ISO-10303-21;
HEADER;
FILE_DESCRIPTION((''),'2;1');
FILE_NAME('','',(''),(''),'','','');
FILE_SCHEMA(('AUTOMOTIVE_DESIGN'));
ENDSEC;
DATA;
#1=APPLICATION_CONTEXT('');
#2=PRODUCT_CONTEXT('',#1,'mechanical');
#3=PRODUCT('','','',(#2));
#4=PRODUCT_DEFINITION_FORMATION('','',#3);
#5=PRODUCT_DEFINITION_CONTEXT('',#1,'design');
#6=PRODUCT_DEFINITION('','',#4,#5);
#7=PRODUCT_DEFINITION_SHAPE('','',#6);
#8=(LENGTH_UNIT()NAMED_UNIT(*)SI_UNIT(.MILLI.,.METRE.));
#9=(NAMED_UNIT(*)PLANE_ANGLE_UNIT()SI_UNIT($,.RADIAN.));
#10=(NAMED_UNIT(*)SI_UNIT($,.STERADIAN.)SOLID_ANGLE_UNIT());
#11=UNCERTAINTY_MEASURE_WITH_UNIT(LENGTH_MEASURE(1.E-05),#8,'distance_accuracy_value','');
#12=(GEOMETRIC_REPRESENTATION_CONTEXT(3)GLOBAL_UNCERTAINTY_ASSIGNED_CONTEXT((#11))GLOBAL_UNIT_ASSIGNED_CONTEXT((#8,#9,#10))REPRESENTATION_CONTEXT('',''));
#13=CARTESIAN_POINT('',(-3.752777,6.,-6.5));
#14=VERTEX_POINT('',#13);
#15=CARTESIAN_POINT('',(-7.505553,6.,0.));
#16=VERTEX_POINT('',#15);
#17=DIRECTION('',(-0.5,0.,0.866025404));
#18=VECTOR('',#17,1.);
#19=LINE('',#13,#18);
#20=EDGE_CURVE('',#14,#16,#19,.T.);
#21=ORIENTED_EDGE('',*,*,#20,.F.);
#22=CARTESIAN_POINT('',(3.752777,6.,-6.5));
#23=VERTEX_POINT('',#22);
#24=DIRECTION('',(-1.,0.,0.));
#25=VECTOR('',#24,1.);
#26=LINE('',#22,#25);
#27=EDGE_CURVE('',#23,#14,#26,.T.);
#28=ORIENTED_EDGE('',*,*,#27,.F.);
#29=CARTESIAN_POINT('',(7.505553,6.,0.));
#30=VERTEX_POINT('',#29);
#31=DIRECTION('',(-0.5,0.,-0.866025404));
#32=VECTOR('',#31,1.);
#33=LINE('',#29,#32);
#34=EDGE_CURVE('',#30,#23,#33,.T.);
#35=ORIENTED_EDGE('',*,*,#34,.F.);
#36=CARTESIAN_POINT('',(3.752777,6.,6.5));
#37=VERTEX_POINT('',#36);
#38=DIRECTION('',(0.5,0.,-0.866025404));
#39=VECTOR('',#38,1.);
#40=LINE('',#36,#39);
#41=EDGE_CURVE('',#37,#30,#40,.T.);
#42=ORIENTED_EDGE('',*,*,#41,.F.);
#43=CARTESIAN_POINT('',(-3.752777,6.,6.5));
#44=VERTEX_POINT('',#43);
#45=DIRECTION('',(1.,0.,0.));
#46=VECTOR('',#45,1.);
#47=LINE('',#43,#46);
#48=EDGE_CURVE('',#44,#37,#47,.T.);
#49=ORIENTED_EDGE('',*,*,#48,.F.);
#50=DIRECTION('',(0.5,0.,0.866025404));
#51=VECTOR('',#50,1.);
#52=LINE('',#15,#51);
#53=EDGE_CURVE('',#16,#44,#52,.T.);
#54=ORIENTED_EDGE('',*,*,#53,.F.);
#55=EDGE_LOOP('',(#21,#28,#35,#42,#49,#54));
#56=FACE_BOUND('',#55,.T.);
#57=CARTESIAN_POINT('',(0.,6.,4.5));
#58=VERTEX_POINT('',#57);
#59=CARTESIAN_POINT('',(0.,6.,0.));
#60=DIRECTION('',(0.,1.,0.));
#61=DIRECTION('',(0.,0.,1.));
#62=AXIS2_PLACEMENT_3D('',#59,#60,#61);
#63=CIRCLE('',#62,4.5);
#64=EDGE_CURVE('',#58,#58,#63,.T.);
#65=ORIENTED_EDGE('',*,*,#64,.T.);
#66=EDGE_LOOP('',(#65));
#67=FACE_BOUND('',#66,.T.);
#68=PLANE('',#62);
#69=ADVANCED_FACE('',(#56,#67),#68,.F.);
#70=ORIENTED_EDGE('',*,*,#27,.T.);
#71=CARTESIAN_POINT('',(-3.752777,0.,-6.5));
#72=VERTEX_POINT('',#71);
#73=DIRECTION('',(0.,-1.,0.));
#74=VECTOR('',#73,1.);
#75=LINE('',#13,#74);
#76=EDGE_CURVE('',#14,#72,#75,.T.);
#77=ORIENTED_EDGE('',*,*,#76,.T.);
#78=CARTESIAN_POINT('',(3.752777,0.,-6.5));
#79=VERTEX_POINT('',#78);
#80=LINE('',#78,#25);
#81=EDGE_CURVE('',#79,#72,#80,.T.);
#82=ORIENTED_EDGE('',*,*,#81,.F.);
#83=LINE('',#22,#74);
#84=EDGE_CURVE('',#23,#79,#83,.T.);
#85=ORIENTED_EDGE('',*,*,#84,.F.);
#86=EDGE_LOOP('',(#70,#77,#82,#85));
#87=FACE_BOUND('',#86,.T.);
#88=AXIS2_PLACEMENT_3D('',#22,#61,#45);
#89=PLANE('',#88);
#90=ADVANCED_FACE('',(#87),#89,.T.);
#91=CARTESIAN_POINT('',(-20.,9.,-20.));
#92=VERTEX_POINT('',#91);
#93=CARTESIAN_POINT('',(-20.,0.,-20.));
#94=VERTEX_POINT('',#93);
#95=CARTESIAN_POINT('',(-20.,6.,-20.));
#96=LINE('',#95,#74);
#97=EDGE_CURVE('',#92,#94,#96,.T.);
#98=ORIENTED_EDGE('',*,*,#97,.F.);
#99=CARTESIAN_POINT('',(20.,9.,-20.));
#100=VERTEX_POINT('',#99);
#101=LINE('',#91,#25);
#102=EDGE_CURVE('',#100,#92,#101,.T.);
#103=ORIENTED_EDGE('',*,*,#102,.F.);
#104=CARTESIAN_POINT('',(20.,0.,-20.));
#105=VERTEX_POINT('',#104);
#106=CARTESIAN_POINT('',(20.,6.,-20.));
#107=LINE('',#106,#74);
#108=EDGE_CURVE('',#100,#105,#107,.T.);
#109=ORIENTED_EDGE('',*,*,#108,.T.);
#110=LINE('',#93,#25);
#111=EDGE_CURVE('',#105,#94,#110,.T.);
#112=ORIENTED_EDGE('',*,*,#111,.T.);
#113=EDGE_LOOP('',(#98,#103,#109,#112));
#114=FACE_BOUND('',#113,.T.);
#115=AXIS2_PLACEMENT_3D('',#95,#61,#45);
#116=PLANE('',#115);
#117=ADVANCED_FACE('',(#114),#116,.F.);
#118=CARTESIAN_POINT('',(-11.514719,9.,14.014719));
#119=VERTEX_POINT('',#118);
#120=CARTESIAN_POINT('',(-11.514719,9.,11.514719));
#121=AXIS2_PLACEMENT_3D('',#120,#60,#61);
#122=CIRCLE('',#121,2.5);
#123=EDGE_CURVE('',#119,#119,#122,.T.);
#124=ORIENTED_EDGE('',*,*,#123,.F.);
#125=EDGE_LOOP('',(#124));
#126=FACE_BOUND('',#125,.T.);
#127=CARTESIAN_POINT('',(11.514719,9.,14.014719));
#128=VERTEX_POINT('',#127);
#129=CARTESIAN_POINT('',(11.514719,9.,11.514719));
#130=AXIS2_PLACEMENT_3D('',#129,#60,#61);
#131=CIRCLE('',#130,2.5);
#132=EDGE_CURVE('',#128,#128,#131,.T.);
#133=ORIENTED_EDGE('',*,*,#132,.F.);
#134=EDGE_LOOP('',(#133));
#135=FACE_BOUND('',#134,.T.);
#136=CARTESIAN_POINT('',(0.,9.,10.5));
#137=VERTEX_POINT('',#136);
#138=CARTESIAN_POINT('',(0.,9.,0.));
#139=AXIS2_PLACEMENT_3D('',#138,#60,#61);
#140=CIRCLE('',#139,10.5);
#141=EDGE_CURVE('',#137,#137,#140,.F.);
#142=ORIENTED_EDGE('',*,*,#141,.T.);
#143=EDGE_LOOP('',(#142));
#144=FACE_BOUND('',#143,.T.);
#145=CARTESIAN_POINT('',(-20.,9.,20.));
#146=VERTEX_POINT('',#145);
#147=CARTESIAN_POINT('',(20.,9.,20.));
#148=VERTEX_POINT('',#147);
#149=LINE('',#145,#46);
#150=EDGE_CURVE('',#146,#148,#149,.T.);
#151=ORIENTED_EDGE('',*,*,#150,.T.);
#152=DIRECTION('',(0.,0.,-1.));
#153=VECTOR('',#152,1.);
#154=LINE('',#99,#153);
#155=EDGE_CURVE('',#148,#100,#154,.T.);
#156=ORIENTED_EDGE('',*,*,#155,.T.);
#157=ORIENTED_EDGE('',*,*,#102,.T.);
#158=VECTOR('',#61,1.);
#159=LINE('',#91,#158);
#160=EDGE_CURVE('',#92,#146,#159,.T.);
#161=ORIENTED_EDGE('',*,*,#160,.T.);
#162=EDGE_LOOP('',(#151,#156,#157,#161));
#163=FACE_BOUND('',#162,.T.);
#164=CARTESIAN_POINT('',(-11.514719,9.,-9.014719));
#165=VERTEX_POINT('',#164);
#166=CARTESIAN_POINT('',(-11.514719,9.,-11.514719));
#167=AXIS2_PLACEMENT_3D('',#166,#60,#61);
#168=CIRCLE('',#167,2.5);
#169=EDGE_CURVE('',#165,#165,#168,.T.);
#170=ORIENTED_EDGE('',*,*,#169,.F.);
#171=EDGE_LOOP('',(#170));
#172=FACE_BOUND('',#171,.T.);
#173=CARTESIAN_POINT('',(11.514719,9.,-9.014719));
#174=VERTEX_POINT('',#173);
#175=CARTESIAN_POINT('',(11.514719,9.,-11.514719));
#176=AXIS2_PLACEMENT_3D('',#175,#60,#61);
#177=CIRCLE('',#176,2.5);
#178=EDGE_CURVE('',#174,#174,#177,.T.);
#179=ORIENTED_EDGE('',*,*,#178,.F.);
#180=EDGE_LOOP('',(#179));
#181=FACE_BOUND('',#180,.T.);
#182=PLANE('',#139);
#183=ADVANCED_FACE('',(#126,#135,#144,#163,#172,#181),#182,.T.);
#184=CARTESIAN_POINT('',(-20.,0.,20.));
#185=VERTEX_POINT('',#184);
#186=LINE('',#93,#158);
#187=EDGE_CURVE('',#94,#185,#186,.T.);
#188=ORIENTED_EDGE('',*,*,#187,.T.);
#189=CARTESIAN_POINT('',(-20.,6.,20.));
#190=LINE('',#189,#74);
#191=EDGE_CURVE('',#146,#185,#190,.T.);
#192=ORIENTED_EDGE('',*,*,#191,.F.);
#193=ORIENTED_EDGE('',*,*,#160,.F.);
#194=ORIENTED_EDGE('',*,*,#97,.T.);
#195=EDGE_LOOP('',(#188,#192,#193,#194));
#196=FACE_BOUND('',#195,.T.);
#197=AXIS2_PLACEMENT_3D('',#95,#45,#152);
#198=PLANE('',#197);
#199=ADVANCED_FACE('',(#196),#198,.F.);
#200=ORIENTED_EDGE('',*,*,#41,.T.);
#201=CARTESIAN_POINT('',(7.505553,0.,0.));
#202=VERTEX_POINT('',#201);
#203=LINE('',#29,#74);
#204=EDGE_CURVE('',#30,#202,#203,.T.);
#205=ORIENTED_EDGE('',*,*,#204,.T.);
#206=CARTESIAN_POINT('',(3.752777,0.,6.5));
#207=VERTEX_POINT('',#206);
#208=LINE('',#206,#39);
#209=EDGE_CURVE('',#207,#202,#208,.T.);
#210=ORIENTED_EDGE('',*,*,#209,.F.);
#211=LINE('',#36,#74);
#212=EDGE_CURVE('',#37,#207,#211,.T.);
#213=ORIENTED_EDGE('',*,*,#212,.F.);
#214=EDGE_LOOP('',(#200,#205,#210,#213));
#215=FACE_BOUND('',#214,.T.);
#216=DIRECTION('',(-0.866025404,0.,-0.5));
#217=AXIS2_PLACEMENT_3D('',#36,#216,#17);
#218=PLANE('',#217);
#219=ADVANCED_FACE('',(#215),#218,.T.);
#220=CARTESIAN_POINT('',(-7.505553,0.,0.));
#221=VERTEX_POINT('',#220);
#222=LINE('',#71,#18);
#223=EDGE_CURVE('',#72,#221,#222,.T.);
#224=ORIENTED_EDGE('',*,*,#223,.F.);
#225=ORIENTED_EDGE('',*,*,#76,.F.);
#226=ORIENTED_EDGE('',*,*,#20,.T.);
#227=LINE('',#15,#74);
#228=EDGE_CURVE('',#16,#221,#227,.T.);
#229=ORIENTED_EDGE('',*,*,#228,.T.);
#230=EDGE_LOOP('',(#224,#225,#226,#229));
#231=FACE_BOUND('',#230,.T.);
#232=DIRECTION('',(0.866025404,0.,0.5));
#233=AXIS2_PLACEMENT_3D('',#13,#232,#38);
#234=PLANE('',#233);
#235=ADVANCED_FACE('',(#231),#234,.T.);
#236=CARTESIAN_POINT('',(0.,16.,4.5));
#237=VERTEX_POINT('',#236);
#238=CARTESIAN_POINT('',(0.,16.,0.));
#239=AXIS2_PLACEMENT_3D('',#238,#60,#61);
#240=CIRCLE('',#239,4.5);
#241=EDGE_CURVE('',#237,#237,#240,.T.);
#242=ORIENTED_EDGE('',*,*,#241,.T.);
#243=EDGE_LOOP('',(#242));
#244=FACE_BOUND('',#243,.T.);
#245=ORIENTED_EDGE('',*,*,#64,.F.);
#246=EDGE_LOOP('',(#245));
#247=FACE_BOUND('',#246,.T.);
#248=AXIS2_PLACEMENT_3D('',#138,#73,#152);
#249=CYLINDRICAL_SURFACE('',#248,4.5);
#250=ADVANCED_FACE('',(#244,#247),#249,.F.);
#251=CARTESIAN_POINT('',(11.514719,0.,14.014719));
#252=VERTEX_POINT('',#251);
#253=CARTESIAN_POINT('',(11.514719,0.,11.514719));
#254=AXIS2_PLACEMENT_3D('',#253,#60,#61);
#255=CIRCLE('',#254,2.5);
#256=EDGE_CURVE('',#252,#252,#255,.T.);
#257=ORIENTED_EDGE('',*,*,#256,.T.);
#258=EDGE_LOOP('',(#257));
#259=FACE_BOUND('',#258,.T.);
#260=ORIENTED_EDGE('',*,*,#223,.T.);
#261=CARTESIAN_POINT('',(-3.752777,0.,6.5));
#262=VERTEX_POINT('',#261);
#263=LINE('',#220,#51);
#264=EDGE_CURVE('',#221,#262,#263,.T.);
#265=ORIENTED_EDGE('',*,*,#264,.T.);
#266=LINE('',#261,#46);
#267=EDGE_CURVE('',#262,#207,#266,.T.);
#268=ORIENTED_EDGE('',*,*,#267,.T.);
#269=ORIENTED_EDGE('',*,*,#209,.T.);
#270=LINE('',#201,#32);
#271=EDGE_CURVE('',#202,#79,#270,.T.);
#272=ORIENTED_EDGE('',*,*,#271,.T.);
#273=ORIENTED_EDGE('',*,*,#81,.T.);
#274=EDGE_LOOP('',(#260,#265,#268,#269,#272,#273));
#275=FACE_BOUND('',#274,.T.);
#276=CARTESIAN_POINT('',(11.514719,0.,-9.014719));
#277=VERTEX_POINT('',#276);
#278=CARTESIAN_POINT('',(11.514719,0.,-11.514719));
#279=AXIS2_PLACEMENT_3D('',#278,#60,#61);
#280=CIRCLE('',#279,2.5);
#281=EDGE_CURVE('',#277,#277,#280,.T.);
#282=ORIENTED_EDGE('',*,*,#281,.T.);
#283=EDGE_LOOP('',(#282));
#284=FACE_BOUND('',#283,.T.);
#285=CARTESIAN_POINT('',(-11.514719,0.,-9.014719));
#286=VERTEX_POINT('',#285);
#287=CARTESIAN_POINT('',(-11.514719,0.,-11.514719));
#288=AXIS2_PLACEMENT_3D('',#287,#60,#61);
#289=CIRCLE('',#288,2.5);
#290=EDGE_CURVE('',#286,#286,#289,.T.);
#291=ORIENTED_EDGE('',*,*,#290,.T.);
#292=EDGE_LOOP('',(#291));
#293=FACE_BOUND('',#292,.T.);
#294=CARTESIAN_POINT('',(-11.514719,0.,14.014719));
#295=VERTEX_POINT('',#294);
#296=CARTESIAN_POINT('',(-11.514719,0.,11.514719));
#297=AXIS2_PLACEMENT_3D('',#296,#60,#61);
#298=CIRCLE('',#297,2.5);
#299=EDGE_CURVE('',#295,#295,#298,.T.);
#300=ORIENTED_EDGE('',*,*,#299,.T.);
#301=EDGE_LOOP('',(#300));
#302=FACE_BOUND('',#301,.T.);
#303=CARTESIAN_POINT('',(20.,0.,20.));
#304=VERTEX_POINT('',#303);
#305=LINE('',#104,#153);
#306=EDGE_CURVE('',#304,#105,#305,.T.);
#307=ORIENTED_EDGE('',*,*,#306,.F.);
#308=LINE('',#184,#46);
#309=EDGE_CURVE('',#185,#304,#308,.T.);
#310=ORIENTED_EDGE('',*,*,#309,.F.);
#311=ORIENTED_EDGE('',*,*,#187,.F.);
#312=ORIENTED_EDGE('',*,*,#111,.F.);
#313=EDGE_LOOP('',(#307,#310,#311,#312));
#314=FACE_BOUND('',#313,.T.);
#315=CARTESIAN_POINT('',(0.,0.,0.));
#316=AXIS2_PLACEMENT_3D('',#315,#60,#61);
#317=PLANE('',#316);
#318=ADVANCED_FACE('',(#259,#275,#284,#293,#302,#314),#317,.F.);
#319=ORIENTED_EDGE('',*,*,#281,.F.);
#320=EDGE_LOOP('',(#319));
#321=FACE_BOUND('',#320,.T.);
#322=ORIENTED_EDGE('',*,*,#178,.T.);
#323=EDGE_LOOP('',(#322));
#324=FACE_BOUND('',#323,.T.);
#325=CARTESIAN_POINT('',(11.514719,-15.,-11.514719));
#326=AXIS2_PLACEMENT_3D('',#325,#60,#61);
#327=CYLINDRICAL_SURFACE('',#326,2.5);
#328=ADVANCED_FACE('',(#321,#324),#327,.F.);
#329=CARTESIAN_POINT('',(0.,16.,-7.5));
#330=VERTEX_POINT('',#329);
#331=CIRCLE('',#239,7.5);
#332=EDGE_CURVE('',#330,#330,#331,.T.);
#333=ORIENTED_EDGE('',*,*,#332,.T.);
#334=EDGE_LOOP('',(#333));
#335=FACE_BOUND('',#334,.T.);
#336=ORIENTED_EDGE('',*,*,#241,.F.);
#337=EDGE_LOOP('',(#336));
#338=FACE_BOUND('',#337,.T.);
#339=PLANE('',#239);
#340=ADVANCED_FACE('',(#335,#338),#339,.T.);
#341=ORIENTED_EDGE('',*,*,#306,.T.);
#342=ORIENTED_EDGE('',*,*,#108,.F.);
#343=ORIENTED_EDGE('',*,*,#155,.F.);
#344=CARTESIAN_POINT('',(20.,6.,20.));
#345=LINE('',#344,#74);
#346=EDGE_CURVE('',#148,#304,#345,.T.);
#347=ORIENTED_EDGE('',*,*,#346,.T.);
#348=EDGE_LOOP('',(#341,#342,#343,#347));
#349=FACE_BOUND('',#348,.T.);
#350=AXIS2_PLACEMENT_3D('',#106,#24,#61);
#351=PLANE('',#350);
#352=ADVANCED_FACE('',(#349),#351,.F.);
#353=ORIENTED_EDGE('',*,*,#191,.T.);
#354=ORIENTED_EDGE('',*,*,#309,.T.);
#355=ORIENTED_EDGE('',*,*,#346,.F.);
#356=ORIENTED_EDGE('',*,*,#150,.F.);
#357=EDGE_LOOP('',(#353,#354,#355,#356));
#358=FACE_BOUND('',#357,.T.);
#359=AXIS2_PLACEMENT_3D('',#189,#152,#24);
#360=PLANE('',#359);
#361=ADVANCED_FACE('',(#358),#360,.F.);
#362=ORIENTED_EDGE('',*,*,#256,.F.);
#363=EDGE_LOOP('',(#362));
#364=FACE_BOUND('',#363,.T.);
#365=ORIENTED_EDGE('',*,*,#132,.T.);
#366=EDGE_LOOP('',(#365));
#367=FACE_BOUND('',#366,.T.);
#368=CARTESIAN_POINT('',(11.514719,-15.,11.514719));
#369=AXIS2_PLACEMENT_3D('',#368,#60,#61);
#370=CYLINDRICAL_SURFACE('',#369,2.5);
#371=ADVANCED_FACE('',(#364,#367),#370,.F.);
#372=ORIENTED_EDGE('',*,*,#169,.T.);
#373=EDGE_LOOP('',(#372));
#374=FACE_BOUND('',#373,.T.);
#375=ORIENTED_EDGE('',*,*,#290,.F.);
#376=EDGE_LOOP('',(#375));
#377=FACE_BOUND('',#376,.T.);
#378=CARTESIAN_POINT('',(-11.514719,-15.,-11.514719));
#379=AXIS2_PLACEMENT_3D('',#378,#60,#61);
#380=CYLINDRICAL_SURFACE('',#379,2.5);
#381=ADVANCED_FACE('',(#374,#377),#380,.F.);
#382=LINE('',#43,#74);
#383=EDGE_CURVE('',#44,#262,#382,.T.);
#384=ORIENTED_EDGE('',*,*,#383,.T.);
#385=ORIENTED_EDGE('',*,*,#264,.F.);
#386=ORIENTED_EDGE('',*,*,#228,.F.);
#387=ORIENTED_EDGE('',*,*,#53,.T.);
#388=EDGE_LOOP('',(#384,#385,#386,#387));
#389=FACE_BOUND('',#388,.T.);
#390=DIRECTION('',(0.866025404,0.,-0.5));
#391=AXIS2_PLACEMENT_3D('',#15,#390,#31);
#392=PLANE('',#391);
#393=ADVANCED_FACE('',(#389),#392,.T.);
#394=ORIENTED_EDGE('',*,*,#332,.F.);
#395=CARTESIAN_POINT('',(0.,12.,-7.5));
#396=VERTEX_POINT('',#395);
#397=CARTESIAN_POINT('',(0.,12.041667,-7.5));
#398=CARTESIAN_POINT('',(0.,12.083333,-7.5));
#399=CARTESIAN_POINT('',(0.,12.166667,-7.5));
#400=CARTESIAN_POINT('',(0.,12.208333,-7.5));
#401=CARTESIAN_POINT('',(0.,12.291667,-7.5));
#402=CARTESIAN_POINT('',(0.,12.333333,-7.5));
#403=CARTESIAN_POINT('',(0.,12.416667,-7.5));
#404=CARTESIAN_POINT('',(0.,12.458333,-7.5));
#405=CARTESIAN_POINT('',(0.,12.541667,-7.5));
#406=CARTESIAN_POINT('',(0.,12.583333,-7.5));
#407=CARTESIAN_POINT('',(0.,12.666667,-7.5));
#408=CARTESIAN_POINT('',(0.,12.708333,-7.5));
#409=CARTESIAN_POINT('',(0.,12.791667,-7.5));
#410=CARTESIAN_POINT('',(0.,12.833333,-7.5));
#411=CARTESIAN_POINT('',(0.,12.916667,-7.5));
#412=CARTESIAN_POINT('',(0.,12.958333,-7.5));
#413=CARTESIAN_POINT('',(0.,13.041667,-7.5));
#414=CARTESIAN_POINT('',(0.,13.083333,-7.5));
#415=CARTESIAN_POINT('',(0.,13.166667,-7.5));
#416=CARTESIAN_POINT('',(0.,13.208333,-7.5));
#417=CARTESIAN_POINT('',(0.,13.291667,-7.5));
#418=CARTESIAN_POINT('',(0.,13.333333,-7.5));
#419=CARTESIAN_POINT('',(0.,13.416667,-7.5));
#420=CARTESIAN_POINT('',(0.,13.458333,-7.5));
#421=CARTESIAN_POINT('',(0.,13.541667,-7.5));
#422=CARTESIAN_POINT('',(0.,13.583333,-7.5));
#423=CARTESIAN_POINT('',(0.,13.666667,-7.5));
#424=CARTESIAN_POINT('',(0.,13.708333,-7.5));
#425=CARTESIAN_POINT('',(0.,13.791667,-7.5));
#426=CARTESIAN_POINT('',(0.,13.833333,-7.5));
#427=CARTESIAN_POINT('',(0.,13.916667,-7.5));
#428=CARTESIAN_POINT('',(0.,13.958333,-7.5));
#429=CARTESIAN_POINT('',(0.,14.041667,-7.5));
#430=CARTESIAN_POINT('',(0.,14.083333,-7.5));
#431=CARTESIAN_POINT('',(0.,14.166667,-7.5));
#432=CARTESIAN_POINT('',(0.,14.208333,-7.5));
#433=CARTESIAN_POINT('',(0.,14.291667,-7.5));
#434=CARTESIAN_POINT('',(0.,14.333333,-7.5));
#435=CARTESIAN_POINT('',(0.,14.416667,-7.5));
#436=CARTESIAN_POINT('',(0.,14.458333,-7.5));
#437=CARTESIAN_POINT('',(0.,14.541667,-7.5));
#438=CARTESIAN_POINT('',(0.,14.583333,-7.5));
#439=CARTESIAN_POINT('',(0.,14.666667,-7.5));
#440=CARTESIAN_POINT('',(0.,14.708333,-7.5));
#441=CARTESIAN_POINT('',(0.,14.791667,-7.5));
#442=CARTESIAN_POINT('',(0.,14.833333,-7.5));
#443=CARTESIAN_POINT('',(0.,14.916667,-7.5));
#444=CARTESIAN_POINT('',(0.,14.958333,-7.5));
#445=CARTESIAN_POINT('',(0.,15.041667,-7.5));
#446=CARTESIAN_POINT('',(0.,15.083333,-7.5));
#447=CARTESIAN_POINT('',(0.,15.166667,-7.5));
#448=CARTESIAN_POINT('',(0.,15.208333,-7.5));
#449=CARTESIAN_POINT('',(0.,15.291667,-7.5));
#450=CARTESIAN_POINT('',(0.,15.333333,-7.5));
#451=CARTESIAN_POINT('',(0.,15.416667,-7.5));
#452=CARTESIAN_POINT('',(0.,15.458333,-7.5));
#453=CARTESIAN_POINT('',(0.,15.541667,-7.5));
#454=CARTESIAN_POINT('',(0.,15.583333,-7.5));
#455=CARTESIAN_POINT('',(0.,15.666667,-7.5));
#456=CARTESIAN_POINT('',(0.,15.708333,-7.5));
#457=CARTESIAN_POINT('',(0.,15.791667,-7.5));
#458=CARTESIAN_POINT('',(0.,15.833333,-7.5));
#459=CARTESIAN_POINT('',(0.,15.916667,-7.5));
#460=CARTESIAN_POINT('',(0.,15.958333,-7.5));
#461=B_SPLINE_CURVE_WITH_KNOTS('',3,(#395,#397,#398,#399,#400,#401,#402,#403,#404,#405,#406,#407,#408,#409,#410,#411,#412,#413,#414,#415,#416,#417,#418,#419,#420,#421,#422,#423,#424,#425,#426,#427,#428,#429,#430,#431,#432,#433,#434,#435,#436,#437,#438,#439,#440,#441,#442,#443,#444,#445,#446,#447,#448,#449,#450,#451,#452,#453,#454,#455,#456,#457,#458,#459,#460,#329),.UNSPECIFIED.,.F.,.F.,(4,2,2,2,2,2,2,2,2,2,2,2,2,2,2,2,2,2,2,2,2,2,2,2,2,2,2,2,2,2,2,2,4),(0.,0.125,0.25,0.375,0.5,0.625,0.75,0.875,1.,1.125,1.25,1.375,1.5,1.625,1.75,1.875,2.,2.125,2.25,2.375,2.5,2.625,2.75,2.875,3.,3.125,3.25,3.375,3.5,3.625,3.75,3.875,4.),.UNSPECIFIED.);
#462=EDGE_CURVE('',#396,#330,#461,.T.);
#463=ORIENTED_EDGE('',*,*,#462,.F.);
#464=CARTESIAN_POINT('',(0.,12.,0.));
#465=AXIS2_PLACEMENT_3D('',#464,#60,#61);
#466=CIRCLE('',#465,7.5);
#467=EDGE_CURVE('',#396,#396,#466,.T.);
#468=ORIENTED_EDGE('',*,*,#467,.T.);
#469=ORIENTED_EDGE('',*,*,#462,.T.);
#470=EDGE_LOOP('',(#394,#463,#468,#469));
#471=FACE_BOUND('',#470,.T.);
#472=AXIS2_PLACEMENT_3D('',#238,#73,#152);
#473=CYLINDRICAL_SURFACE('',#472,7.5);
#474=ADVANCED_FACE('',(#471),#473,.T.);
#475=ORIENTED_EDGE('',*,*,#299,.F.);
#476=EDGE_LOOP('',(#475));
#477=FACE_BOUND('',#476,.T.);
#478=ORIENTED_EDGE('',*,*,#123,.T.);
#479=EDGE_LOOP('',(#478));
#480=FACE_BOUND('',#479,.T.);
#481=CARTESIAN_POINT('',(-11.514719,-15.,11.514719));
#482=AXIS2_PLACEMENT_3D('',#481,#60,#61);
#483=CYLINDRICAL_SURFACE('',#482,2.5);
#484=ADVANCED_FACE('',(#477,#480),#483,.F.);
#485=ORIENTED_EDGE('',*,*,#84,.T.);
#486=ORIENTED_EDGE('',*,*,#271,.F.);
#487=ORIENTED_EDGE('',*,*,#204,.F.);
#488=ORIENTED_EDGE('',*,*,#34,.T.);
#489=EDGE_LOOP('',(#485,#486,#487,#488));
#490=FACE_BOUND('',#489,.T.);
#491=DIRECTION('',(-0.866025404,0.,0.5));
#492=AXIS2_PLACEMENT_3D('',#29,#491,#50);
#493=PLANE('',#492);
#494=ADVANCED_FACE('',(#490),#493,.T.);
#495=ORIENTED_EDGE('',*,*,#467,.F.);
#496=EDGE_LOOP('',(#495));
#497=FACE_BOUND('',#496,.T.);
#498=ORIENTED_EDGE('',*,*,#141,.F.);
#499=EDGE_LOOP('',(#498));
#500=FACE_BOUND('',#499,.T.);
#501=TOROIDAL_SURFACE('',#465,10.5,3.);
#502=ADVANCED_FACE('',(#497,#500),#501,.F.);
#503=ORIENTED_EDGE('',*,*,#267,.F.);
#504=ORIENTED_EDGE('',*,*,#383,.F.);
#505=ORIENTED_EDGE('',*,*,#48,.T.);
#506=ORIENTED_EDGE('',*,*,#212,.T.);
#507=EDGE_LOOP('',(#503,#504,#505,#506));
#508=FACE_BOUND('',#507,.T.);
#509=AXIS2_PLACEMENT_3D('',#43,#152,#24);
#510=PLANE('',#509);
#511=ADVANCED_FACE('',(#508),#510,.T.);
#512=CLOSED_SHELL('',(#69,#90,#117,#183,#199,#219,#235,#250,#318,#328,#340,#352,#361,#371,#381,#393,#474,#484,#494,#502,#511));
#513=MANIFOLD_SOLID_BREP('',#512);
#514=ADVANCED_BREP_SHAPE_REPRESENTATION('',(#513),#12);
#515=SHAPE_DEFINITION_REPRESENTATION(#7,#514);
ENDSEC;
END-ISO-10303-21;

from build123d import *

# Parameters (mm, degrees)
SKETCH1_W           = 40
SKETCH1_H           = 40
BOSS_EXTRUDE1_DEPTH = 6
SKETCH2_W           = 40
SKETCH2_H           = 40
SKETCH2_R           = 4.5
BOSS_EXTRUDE2_DEPTH = 3
SKETCH3_R           = 2.5
CUT_EXTRUDE1_DEPTH  = 24
SKETCH4_R           = 7.5
SKETCH4_R_2         = 4.5
BOSS_EXTRUDE3_DEPTH = 7
FILLET1_R           = 3


with BuildPart() as part:
    # Sketch1 → Boss-Extrude1 (new body)
    with BuildSketch(Plane(origin=(0, 0, 0), x_dir=(1, 0, 0), z_dir=(0, 1, 0))):
        Rectangle(SKETCH1_W, SKETCH1_H)
        Polygon((7.505553499, 0), (3.75277675, 6.5), (-3.75277675, 6.5), (-7.505553499, 0), (-3.75277675, -6.5), (3.75277675, -6.5), align=None, mode=Mode.SUBTRACT)
    extrude(amount=BOSS_EXTRUDE1_DEPTH)

    # Sketch2 → Boss-Extrude2 (add)
    with BuildSketch(Plane(origin=(0, 6, 0), x_dir=(1, 0, 0), z_dir=(0, 1, 0))):
        Rectangle(SKETCH2_W, SKETCH2_H)
        with Locations(Location((0, 0, 0), (0, 0, 270))):
            Circle(SKETCH2_R, mode=Mode.SUBTRACT)
    extrude(amount=BOSS_EXTRUDE2_DEPTH)

    # Sketch3 → Cut-Extrude1 (cut)
    with BuildSketch(Plane(origin=(0, 9, 0), x_dir=(1, 0, 0), z_dir=(0, 1, 0))):
        with Locations(Location((-11.514718626, 11.514718626, 0), (0, 0, 270))):
            Circle(SKETCH3_R)
        with Locations(Location((11.514718626, 11.514718626, 0), (0, 0, 270))):
            Circle(SKETCH3_R)
        with Locations(Location((11.514718626, -11.514718626, 0), (0, 0, 270))):
            Circle(SKETCH3_R)
        with Locations(Location((-11.514718626, -11.514718626, 0), (0, 0, 270))):
            Circle(SKETCH3_R)
    extrude(amount=-CUT_EXTRUDE1_DEPTH, mode=Mode.SUBTRACT)

    # Sketch4 → Boss-Extrude3 (add)
    with BuildSketch(Plane(origin=(0, 9, 0), x_dir=(1, 0, 0), z_dir=(0, 1, 0))):
        with Locations(Location((0, 0, 0), (0, 0, 90))):
            Circle(SKETCH4_R)
        with Locations(Location((0, 0, 0), (0, 0, 270))):
            Circle(SKETCH4_R_2, mode=Mode.SUBTRACT)
    extrude(amount=BOSS_EXTRUDE3_DEPTH)

    # Fillet1
    fillet1_edges = [part.edges().sort_by_distance(p)[0] for p in [
        (0, 9, 7.5),
    ]]
    fillet(fillet1_edges, radius=FILLET1_R)


solid = part.part
